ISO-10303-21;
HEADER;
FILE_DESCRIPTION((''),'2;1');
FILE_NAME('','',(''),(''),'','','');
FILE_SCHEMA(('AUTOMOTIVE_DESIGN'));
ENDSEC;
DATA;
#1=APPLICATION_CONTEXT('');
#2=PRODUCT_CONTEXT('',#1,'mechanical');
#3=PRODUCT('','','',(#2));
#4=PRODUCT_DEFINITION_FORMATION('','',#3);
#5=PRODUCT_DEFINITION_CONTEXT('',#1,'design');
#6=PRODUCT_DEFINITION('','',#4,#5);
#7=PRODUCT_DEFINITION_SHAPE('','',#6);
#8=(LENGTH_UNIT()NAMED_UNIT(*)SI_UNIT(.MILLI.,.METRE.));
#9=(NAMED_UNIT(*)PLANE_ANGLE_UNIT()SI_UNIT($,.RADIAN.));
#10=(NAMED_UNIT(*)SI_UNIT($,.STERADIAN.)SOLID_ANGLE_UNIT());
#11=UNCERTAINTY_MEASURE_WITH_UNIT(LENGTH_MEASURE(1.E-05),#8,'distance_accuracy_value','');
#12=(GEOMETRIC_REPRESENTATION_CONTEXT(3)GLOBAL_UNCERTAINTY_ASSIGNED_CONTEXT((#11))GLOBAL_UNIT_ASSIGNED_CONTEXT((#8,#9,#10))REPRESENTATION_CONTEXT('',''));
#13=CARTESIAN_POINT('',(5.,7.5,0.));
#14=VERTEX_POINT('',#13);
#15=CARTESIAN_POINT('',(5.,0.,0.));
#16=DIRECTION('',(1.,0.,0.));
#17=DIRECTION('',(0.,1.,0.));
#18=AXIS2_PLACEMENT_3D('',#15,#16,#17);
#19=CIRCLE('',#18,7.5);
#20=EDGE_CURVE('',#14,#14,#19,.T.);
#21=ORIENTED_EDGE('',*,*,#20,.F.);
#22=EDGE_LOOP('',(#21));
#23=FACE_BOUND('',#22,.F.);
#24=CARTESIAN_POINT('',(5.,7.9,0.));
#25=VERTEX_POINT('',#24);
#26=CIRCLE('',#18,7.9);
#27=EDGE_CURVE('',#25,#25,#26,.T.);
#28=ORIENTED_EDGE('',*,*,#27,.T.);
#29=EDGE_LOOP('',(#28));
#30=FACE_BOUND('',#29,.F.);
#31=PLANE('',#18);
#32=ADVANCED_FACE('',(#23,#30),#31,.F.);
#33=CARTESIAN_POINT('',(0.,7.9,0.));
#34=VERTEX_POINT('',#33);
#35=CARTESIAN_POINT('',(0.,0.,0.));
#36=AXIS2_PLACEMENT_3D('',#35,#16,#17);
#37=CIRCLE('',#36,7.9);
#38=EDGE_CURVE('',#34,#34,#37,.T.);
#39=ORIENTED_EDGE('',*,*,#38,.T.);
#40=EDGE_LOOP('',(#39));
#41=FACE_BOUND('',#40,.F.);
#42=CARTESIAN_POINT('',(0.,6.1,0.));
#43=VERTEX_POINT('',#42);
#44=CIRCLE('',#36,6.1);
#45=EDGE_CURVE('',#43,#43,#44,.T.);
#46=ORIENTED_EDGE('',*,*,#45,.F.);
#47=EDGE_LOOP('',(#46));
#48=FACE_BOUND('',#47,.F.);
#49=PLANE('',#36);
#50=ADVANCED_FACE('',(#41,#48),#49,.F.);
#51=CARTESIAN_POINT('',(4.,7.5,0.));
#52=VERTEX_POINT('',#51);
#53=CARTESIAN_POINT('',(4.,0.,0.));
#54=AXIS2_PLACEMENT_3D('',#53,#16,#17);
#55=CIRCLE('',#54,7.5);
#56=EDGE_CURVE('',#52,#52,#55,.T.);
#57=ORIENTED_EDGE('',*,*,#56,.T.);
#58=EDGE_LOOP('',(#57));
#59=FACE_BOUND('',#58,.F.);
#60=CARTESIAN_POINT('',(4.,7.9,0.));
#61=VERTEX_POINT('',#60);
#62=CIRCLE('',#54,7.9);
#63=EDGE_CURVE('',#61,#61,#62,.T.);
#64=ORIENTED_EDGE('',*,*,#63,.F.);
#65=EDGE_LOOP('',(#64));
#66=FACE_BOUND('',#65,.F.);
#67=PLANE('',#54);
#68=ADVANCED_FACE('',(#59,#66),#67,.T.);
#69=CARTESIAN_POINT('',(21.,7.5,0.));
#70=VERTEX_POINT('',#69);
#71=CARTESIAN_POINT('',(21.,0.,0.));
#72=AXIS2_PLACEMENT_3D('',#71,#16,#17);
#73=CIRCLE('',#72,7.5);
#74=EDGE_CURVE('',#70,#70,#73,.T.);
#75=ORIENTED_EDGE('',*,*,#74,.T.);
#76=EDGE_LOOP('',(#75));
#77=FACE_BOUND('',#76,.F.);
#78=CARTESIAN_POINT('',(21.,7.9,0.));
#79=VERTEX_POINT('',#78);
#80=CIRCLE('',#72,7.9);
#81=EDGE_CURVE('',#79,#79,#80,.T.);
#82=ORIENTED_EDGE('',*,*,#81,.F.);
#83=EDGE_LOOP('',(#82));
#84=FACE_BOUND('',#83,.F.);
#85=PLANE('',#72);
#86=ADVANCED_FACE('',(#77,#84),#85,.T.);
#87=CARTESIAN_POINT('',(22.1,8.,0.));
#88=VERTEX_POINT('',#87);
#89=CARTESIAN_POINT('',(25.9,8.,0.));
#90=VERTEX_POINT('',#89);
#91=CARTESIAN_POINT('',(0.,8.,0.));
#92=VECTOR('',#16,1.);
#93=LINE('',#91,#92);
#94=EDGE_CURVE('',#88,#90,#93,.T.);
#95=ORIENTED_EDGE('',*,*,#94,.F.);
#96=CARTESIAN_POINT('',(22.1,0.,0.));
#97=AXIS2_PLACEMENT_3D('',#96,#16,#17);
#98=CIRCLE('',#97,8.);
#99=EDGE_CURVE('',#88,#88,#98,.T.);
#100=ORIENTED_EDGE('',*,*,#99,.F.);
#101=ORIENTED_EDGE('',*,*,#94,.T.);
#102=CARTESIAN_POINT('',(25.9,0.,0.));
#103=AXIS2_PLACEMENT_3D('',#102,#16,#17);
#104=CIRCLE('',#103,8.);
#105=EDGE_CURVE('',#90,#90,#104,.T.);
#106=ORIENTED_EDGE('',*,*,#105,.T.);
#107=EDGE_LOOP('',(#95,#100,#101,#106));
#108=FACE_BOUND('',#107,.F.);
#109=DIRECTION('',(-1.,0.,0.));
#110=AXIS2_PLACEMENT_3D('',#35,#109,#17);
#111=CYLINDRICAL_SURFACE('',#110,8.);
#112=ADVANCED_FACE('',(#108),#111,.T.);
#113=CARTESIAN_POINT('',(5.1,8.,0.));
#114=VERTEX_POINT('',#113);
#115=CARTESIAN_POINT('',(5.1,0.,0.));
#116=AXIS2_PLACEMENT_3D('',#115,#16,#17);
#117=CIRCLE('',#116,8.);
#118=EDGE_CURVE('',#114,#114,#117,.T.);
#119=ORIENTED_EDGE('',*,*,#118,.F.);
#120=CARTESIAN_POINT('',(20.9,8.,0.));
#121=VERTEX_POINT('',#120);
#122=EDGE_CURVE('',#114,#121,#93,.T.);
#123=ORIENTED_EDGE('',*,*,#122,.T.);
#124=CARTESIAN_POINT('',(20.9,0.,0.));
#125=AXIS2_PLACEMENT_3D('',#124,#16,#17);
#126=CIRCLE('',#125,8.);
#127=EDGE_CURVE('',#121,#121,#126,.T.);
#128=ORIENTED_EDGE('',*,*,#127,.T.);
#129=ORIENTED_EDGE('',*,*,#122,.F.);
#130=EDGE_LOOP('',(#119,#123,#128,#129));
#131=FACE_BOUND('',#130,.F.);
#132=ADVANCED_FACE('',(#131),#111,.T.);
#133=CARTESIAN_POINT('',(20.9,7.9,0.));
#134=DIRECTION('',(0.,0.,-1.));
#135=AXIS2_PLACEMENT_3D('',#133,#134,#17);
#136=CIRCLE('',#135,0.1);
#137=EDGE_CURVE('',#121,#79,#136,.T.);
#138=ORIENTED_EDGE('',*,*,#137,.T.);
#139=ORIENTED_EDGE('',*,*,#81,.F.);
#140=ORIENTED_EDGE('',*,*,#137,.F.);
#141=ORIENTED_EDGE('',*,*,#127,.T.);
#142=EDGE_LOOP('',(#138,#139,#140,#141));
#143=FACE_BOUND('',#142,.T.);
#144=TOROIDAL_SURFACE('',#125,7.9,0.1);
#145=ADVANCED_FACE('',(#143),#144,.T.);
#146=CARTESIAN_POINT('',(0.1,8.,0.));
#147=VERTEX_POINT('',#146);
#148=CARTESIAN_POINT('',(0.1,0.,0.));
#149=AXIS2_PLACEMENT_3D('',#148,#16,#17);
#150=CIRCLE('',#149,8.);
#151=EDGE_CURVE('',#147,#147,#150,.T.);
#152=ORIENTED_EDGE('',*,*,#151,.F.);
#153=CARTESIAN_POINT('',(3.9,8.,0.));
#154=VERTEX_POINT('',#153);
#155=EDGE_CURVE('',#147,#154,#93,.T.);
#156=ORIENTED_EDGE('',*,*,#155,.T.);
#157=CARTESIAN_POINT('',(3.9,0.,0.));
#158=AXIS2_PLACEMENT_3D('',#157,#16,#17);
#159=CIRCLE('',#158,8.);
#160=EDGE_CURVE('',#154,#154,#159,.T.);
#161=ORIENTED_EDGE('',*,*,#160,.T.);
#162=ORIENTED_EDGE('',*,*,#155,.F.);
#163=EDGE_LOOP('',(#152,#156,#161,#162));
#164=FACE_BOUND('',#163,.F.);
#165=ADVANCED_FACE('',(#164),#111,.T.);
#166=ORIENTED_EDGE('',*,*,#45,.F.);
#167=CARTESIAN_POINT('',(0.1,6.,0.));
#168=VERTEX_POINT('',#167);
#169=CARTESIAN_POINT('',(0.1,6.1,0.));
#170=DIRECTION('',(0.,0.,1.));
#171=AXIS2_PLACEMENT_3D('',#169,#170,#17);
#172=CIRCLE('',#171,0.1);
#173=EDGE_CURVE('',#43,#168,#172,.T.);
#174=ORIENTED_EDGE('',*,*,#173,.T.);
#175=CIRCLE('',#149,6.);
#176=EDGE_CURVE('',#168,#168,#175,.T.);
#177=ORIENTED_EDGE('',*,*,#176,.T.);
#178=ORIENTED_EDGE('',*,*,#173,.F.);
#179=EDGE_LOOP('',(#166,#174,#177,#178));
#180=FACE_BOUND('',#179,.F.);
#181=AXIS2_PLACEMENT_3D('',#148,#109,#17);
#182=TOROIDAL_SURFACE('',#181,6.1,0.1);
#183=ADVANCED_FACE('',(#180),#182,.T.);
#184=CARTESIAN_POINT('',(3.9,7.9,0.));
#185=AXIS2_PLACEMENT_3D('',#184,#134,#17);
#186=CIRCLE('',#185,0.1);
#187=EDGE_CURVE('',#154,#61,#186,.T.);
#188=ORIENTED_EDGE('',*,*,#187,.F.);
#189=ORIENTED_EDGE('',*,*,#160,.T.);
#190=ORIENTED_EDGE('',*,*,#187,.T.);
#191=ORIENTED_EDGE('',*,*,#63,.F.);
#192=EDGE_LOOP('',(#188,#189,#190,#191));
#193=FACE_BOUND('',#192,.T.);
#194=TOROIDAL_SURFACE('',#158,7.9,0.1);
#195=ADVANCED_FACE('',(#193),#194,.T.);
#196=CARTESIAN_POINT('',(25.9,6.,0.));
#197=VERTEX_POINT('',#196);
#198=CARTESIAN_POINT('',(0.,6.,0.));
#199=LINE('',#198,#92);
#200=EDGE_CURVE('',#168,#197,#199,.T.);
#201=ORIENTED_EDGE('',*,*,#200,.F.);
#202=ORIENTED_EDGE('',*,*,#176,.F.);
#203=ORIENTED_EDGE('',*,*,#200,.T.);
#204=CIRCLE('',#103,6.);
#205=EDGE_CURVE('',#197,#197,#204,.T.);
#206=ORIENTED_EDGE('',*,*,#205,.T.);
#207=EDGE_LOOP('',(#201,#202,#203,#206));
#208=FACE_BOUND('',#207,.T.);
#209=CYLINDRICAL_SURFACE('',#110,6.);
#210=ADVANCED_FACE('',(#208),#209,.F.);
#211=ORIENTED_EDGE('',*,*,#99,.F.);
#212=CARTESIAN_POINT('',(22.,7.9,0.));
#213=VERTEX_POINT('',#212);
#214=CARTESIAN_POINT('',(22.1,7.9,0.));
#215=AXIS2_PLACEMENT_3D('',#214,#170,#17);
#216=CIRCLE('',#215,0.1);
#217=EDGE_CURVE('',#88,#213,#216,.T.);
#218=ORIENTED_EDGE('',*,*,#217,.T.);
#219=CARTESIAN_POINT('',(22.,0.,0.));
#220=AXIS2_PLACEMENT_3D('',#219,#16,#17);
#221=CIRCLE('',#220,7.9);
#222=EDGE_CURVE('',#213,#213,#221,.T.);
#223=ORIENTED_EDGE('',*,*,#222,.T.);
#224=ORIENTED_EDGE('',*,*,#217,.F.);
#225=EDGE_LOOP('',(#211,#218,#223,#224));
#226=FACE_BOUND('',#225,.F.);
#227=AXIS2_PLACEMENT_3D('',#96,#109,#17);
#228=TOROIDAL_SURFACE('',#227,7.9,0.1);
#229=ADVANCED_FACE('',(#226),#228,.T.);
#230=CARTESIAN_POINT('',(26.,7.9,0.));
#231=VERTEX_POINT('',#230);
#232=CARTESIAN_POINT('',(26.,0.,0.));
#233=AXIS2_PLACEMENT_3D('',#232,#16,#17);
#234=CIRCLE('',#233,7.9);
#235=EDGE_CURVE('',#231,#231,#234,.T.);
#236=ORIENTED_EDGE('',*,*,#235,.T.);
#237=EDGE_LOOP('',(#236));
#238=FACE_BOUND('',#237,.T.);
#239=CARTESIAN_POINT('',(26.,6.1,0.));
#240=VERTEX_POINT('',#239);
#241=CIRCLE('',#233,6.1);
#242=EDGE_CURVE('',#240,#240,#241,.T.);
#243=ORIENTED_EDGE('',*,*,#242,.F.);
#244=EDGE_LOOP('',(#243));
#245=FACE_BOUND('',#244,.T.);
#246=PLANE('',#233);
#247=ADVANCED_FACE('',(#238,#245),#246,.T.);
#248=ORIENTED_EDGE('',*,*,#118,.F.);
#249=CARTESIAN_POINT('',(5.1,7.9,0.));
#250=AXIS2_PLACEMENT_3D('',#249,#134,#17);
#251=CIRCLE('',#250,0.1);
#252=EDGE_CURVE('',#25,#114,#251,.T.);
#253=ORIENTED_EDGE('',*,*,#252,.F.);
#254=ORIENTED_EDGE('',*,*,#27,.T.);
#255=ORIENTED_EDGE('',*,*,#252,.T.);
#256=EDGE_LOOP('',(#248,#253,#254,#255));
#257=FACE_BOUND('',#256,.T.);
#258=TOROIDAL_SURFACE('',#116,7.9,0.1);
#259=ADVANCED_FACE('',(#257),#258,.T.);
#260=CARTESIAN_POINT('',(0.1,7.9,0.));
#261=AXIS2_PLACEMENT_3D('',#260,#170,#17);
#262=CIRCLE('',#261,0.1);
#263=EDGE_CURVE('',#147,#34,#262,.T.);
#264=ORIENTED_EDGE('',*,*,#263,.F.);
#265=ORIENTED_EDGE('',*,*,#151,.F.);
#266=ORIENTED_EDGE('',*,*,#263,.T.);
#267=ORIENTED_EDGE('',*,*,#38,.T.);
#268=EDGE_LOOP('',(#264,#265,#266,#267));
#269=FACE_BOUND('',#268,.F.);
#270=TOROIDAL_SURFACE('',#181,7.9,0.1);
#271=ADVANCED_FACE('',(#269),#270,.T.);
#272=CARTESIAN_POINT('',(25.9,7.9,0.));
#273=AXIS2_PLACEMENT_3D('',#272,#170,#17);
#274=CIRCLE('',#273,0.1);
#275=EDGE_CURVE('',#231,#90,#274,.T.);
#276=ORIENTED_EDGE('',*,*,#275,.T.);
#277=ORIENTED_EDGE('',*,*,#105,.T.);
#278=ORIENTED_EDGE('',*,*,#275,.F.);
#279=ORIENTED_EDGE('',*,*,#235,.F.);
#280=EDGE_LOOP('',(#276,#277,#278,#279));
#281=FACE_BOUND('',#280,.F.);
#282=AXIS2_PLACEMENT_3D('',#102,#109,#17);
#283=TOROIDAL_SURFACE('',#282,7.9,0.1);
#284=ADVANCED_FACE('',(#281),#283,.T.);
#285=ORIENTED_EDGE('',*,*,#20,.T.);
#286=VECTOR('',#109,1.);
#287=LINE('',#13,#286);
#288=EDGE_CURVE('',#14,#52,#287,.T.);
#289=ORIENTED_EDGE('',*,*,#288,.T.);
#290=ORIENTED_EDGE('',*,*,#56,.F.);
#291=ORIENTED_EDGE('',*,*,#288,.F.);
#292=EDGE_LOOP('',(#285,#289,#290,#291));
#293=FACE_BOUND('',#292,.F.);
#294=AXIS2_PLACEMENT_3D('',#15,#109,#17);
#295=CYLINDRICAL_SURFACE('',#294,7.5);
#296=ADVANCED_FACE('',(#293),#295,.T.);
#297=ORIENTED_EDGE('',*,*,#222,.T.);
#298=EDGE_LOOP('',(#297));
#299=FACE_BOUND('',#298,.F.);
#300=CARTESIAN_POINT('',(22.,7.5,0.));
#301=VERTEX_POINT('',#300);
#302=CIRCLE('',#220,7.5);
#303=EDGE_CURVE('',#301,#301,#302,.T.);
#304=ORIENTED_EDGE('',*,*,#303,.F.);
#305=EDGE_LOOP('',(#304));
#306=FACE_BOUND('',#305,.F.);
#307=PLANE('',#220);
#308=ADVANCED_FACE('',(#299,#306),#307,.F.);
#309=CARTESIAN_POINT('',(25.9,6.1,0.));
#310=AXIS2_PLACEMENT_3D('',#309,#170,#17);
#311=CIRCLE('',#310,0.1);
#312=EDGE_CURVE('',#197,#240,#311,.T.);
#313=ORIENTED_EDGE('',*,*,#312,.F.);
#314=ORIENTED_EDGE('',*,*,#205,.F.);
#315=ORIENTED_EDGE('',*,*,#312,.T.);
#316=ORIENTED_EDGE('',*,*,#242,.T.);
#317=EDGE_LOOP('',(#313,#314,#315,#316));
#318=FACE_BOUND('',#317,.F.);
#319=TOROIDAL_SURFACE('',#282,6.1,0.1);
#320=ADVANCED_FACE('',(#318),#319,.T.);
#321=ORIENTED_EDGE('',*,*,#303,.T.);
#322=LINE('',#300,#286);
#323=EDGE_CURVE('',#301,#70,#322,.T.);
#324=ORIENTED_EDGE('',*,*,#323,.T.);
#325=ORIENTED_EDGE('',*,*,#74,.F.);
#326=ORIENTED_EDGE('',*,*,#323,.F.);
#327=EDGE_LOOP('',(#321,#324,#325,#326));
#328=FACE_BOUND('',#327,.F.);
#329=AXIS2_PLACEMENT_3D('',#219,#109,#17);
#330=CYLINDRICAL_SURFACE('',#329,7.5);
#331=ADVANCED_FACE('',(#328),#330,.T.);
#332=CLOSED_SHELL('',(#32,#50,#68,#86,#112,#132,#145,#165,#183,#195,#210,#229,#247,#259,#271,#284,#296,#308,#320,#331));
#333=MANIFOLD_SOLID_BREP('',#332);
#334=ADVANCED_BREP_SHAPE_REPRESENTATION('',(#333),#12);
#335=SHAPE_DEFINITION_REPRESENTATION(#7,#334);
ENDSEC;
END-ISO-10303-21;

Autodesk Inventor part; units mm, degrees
ref_plane "YZ Plane" through (0, 0, 0) normal (1, 0, 0) x (0, 1, 0)
ref_plane "XZ Plane" through (0, 0, 0) normal (0, 1, 0) x (-1, 0, 0)
ref_plane "XY Plane" through (0, 0, 0) normal (0, 0, 1) x (1, 0, 0)
sketch "Szkic1" plane through (0, 0, 0) normal (1, 0, 0) x (0, 1, 0)
  circle A0 centre (0, 0) radius 8
  circle A1 centre (0, 0) radius 6
  dimension "d0" = 16
  dimension "d1" = 12
extrude "Wyciągnięcie proste1" add sketch "Szkic1" along normal blind 26
sketch "Szkic2" plane through (0, 0, 0) normal (0, 0, 1) x (1, 0, 0)
  line L0 (4, 8) -> (5, 8)
  line L1 (5, 8) -> (5, 7.5)
  line L2 (5, 7.5) -> (4, 7.5)
  line L3 (4, 7.5) -> (4, 8)
  line L4 (21, 8) -> (22, 8)
  line L5 (22, 8) -> (22, 7.5)
  line L6 (22, 7.5) -> (21, 7.5)
  line L7 (21, 7.5) -> (21, 8)
  line L8 (26, -8) -> (26, 8) projected
  line L9 (0, -8) -> (0, 8) projected
  line L10 (0, 8) -> (26, 8) projected
  line L11 (-5.2, 0) -> (31.2, 0) projected
  point P0 (0, 0)
  point P1 (4.5, 8)
  point P2 (21.5, 8)
  dimension "d4" = 1
  dimension "d5" = 0.5
  dimension "d6" = 1
  dimension "d7" = 0.5
  dimension "d8" = 4
  dimension "d9" = 4
revolve "Obrót1" cut sketch "Szkic2" angle 360 about axis through (-10, 0, 0) along (1, 0, 0) contours L0 L1 L2 L3 | L4 L5 L6 L7
fillet "Zaokrąglenie1" radius 0.1 8 edges at (26, -8, 0) (26, -6, 0) (0, -8, 0) (0, -6, 0) (4, -8, 0) (5, -8, 0) (21, -8, 0) (22, -8, 0)
properties part number "SC8 bearing ext"
